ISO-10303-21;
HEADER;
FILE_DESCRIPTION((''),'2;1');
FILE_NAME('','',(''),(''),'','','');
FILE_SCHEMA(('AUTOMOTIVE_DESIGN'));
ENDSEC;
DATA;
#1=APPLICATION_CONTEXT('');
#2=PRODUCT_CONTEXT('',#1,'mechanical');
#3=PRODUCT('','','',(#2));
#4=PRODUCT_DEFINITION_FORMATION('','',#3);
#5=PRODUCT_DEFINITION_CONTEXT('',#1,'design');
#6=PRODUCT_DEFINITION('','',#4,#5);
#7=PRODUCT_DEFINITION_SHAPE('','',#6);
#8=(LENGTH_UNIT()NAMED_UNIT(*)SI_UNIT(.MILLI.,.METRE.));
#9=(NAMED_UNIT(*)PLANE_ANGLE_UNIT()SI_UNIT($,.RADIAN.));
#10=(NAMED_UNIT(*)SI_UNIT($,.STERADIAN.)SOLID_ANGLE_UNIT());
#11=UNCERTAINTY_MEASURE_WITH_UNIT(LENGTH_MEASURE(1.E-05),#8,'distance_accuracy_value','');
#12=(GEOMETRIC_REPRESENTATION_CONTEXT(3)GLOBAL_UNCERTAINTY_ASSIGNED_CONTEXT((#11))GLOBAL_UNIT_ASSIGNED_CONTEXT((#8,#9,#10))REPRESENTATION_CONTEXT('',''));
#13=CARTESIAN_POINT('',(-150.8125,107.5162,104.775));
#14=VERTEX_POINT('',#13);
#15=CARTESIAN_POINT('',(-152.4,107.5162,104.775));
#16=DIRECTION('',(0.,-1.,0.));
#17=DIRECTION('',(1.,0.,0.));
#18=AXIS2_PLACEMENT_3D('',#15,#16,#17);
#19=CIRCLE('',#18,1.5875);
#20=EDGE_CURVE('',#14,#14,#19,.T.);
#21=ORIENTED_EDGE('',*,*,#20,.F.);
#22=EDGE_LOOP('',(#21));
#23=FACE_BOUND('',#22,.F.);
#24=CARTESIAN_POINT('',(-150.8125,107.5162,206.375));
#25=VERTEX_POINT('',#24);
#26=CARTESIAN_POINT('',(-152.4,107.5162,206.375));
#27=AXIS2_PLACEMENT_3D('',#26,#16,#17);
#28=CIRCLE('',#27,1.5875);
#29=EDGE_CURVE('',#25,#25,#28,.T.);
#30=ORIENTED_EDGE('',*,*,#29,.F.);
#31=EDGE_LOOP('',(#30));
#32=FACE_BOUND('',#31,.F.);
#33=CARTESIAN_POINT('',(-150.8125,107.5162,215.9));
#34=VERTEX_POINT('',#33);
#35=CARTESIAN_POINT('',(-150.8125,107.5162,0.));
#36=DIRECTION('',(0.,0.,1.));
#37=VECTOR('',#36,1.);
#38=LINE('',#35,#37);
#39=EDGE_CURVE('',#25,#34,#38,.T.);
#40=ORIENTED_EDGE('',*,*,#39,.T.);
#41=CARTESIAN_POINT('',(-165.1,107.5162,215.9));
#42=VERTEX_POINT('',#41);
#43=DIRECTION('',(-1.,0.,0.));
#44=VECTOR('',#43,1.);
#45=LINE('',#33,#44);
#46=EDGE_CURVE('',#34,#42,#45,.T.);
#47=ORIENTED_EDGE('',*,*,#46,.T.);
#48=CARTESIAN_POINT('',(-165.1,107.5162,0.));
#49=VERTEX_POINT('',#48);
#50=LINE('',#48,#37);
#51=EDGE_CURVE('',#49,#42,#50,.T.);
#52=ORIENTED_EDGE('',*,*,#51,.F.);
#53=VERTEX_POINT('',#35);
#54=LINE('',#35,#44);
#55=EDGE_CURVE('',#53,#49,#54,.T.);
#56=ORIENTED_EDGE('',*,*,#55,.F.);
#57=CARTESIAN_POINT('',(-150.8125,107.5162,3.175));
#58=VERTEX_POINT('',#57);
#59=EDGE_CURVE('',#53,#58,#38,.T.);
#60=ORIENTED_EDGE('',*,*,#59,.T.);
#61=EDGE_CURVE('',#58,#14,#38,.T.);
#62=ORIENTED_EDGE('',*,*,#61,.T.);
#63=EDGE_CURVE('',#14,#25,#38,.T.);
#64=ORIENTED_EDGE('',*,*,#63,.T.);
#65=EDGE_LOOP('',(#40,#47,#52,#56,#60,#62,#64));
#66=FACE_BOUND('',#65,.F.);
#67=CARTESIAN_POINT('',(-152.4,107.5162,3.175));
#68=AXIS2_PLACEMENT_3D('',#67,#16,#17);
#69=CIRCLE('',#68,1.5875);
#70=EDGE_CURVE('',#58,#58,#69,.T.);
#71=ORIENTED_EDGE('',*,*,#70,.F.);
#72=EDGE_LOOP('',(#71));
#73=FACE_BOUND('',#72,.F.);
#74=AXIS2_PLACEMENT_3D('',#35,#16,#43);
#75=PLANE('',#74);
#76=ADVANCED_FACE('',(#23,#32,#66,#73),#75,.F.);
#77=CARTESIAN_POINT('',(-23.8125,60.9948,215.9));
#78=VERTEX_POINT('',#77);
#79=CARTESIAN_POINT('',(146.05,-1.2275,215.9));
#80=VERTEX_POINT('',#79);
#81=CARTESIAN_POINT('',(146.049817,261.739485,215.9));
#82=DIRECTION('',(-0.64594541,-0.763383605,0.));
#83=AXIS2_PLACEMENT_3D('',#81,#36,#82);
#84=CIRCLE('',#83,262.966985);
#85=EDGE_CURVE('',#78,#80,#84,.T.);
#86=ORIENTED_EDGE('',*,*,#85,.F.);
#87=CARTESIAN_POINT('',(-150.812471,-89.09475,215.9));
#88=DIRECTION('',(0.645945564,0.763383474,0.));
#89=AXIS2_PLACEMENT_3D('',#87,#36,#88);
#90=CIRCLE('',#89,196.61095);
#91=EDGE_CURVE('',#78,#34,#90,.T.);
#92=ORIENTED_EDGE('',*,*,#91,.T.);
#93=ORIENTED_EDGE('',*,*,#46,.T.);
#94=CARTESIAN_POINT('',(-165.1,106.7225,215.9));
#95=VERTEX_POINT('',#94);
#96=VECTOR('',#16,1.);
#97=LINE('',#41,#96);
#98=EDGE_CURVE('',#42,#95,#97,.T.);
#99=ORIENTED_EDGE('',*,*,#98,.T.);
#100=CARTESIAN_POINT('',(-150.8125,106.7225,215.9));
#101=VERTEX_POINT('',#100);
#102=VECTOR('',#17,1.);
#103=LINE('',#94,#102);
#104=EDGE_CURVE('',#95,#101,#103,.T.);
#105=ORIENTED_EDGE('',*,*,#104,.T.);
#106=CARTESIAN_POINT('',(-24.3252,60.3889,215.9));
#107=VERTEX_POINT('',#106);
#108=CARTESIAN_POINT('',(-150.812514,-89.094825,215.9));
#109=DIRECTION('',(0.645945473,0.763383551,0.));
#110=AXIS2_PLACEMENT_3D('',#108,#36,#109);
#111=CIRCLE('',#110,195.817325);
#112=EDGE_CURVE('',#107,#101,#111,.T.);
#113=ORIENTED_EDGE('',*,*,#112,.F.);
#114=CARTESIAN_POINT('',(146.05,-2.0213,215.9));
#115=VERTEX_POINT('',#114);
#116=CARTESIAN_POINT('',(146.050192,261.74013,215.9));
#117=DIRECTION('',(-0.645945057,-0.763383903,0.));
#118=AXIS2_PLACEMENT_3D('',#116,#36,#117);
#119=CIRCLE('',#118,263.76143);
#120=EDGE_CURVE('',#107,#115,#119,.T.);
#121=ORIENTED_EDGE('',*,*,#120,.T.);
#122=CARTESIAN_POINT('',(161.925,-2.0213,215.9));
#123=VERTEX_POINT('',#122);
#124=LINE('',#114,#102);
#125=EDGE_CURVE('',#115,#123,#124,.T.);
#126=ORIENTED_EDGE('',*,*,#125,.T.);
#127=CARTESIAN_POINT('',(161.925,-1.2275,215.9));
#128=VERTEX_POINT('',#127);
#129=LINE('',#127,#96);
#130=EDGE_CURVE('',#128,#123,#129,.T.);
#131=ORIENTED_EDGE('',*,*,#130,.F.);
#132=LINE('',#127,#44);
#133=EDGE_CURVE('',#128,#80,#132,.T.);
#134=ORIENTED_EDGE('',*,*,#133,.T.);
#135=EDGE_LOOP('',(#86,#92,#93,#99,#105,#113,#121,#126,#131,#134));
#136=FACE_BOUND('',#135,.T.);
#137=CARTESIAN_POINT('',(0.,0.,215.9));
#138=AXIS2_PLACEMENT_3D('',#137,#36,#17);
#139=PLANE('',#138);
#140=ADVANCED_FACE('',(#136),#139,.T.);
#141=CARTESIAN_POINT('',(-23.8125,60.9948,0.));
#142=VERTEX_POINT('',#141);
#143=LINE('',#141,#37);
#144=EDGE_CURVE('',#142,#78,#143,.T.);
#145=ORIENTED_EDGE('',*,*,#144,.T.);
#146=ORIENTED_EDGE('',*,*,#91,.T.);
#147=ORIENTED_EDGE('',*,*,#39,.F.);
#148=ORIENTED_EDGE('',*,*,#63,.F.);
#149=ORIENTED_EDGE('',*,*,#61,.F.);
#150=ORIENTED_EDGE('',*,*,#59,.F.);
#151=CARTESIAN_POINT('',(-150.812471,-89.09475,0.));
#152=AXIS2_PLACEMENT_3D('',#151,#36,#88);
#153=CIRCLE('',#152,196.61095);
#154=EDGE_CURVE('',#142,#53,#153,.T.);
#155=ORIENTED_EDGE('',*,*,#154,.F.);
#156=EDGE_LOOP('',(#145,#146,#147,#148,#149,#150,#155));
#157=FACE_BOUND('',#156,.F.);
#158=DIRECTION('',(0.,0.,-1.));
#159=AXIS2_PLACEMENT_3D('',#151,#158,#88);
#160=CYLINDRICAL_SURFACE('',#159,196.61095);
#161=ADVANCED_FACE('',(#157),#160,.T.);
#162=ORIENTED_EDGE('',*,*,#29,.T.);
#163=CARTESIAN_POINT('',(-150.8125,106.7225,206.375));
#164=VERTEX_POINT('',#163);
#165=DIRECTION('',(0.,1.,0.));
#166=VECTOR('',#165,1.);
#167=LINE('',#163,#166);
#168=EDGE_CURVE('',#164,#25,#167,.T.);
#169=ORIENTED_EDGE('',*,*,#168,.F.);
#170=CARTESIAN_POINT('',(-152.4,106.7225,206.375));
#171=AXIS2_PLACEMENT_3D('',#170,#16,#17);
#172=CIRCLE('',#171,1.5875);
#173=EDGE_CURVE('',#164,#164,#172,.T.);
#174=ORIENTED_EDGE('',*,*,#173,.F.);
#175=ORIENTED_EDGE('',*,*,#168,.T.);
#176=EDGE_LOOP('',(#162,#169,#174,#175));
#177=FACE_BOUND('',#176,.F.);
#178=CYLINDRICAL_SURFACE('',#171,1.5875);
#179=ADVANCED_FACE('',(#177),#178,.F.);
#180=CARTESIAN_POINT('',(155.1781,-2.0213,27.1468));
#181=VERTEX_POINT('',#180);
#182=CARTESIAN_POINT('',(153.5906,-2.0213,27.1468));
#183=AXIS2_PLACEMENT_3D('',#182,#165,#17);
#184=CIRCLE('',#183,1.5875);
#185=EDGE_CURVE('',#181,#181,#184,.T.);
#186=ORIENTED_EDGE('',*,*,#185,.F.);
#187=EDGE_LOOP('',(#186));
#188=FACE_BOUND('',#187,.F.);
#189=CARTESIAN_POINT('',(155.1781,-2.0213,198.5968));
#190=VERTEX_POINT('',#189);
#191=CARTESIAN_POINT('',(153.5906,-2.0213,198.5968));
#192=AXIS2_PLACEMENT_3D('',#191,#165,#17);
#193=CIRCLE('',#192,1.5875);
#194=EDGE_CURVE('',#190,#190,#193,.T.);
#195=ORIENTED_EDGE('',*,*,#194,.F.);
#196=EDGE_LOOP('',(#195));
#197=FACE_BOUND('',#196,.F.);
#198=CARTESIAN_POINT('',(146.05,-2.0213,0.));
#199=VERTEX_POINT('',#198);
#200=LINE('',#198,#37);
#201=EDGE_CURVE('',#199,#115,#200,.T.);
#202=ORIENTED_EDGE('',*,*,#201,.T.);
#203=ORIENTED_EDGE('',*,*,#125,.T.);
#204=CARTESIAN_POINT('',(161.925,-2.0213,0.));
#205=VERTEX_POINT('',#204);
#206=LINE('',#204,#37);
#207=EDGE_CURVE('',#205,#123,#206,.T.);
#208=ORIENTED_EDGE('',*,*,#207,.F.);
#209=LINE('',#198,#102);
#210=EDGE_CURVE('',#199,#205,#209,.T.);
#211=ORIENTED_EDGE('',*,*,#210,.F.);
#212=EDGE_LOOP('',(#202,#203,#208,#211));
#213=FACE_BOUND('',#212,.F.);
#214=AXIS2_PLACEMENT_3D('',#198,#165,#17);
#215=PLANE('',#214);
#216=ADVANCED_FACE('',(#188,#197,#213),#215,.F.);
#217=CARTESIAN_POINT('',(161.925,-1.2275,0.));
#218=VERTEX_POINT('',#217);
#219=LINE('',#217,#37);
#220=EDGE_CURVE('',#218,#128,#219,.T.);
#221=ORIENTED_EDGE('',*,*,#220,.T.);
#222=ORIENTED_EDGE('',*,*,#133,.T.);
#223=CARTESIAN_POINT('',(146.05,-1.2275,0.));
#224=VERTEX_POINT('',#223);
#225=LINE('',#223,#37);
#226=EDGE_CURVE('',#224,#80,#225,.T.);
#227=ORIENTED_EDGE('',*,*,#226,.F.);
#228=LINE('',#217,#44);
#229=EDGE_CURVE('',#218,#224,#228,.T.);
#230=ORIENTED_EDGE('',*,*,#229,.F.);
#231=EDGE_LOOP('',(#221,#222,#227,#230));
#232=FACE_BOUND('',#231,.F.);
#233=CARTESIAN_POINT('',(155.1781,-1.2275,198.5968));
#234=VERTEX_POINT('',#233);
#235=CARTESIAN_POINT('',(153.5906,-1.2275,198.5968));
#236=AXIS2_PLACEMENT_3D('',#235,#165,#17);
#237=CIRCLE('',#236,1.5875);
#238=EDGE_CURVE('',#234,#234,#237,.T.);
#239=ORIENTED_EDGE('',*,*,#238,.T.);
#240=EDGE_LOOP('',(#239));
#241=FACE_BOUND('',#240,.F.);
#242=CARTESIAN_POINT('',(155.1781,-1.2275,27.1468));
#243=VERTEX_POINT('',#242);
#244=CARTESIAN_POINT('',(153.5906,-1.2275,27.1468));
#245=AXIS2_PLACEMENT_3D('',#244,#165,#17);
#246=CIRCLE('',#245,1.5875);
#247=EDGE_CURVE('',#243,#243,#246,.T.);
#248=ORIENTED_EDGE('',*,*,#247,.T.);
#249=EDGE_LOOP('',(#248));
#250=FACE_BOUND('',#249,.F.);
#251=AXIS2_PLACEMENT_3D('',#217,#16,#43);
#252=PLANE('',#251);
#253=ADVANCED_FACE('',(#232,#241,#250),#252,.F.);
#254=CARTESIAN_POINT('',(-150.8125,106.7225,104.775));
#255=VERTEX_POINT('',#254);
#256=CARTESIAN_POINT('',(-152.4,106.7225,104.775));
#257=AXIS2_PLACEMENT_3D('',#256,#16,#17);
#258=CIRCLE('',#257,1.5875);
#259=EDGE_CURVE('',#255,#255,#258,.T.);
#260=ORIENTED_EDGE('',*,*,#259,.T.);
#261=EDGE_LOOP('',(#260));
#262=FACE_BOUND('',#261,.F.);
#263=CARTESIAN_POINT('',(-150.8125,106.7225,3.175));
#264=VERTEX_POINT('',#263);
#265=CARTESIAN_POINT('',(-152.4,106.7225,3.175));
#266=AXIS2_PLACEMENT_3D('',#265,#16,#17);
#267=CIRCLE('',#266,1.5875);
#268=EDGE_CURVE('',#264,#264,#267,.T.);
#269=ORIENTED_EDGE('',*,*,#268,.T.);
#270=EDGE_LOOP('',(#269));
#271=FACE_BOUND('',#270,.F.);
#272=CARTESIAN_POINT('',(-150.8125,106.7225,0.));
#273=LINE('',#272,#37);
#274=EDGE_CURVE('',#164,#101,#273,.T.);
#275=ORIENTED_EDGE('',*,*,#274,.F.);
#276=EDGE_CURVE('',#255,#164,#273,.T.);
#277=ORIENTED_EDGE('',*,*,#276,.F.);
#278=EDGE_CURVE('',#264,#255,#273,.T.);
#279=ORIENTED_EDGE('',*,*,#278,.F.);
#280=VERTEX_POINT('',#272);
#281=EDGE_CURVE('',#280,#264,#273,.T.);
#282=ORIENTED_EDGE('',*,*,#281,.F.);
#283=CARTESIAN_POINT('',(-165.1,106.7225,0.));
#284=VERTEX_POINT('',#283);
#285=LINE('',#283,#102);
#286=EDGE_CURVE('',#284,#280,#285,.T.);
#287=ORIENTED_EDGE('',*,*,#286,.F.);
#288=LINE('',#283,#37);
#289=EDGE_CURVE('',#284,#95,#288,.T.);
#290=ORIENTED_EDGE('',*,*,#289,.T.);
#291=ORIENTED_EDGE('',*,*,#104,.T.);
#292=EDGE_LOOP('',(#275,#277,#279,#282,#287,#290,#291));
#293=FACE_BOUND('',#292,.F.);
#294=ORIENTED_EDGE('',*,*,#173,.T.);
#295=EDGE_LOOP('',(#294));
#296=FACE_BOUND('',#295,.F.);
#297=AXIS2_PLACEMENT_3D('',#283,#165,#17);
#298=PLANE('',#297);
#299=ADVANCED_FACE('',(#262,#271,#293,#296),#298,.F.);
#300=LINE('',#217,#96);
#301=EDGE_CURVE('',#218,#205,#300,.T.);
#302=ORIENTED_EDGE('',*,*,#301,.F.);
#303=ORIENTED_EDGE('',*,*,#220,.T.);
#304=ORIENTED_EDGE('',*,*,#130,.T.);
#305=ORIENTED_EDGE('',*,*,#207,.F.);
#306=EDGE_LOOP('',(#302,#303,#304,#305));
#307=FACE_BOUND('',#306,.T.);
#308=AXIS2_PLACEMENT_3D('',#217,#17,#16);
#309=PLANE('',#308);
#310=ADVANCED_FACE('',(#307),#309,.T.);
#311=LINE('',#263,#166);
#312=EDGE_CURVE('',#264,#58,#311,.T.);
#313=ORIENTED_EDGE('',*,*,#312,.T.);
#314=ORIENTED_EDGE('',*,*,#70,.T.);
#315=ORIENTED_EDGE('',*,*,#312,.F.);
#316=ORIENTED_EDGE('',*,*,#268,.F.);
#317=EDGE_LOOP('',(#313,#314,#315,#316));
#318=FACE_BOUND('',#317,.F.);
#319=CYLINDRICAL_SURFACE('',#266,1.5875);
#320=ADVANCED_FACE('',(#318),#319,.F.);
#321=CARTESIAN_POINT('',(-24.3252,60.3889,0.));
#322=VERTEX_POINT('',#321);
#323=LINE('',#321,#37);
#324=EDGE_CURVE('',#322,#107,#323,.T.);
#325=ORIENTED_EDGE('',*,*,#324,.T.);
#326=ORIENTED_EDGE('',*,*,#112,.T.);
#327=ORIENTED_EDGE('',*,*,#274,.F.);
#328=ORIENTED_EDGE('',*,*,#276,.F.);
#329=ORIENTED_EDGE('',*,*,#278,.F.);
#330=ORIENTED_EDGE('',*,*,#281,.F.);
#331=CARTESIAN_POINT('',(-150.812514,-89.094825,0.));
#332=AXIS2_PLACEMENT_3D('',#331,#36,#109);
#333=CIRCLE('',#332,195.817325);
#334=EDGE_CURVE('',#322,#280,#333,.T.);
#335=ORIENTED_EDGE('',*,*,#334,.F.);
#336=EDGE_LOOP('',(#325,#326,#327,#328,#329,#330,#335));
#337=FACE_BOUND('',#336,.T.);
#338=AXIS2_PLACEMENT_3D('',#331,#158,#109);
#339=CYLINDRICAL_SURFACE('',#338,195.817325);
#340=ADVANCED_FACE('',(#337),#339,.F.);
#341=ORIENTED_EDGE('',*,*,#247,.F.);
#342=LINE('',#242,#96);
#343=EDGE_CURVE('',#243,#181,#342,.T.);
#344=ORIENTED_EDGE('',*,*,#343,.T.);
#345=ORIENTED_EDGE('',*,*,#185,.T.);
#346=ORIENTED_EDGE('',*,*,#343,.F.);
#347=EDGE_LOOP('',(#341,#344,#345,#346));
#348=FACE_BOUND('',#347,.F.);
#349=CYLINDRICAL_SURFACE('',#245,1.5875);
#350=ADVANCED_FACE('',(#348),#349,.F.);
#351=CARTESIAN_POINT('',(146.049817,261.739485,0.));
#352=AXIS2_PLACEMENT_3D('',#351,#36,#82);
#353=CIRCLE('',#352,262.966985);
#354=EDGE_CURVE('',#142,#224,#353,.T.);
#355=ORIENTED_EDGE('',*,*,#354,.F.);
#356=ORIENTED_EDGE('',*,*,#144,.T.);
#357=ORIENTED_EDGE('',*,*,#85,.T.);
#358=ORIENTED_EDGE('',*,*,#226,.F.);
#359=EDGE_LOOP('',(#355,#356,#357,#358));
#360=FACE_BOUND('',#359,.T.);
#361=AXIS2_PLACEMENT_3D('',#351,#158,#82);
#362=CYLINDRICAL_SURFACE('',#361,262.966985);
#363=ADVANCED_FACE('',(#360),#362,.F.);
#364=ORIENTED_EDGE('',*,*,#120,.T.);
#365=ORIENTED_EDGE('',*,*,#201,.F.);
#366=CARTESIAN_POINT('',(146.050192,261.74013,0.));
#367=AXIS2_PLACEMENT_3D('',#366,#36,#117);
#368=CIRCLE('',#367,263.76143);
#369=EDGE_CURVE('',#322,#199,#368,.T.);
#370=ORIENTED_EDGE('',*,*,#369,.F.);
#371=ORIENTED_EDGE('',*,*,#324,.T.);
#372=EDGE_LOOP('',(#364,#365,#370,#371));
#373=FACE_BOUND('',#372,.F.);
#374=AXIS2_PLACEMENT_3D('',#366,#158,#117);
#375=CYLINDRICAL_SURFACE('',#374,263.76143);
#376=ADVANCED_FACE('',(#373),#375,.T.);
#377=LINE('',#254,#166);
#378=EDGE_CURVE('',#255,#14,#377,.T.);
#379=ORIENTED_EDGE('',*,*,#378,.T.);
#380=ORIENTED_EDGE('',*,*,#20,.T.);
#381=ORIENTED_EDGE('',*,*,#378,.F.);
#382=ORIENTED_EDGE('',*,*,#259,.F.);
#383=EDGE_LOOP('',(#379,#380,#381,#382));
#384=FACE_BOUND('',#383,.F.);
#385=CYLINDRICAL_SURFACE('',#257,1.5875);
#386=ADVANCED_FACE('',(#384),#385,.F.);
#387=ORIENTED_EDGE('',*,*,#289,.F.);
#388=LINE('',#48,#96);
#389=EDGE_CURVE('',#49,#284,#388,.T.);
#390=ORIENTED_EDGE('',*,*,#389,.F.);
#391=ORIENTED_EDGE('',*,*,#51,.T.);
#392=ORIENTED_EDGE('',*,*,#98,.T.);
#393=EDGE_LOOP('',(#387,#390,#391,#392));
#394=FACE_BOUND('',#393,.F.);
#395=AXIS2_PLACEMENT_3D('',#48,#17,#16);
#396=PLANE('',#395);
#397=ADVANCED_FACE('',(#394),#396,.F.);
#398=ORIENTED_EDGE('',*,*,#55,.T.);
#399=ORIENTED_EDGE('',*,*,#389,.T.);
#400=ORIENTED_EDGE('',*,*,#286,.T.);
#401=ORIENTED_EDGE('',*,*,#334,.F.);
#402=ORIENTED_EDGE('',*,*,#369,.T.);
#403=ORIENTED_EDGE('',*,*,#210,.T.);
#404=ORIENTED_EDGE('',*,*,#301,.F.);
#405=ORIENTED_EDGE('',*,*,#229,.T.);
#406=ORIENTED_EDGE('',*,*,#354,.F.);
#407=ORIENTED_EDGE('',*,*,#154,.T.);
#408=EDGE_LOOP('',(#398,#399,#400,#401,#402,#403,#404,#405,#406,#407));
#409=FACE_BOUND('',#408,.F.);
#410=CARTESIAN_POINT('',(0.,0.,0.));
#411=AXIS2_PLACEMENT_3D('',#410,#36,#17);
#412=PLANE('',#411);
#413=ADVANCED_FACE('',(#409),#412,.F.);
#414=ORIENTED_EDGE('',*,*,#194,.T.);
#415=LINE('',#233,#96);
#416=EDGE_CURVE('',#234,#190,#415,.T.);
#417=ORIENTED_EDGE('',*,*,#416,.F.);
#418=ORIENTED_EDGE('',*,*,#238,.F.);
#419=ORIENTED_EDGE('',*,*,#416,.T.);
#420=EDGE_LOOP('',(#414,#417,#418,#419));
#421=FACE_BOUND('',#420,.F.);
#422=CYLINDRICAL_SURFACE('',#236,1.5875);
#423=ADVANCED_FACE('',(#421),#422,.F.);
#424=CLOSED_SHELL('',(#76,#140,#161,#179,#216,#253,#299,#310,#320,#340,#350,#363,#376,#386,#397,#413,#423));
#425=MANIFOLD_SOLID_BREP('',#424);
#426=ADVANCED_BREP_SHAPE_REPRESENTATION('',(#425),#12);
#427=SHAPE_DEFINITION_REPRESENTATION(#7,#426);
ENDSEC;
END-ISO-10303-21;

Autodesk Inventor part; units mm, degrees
ref_plane "YZ Plane" through (0, 0, 0) normal (1, 0, 0) x (0, 1, 0)
ref_plane "XZ Plane" through (0, 0, 0) normal (0, 1, 0) x (-1, 0, 0)
ref_plane "Work Plane1" through (0, 0, 0) normal (0, 0, 1) x (1, 0, 0)
sketch "Sketch1" plane through (0, 0, 0) normal (0, 0, 1) x (1, 0, 0)
  line L0 (165.1, 107.5162) -> (-165.1, 107.5162) construction
  line L1 (-165.1, 107.5162) -> (-165.1, 110.6912) construction
  line L2 (165.1, 110.6912) -> (-165.1, 110.6912) construction
  line L3 (165.1, 107.5162) -> (165.1, 110.6912) construction
  line L4 (161.925, -1.2275) -> (161.925, 14.6475) construction
  line L5 (161.925, 14.6475) -> (161.1313, 14.6475) construction
  line L6 (161.1313, 14.6475) -> (161.1313, -0.4338) construction
  line L7 (161.1313, -0.4338) -> (146.05, -0.4338) construction
  line L8 (146.05, -0.4338) -> (146.05, -1.2275) construction
  line L9 (146.05, -1.2275) -> (161.925, -1.2275) construction
  line L10 (-153.9875, 110.6912) -> (-150.8125, 110.6912) construction
  line L11 (161.925, -1.2275) -> (146.05, -1.2275)
  arc A0 (-23.8125, 60.9948) -> (-150.8125, 107.5162) centre (-150.8125, -89.0948) ccw
  arc A1 (-23.8125, 60.9948) -> (146.05, -1.2275) centre (146.05, 261.7398) ccw
  line L12 (-150.8125, 110.6912) -> (-150.8125, 107.5162) construction
  line L13 (-150.8125, 107.5162) -> (-165.1, 107.5162)
  arc A2 (-24.3252, 60.3889) -> (-150.8125, 106.7225) centre (-150.8125, -89.0948) ccw
  arc A3 (-24.3252, 60.3889) -> (146.05, -2.0213) centre (146.05, 261.7398) ccw
  line L14 (146.05, -2.0213) -> (161.925, -2.0213)
  line L15 (-165.1, 107.5162) -> (-165.1, 106.7225)
  line L16 (-165.1, 106.7225) -> (-150.8125, 106.7225)
  line L17 (161.925, -1.2275) -> (161.925, -2.0213)
  point P0 (0, 0)
  dimension "d8" = 127
  dimension "d9" = 0.7937
extrude "Extrusion1" add sketch "Sketch1" along normal blind 215.9
sketch "Sketch2" plane through (-165.1, 106.7225, 0) normal (0, -1, 0) x (1, 0, 0)
  circle A0 centre (12.7, 3.175) radius 1.5875
  circle A1 centre (12.7, 104.775) radius 1.5875
  circle A2 centre (12.7, 206.375) radius 1.5875
  line L0 (14.2875, 0) -> (0, 0) projected
  line L1 (14.2875, 0) -> (14.2875, 215.9) projected
  line L2 (0, 215.9) -> (14.2875, 215.9) projected
  line L3 (0, 0) -> (0, 215.9) projected
  point P0 (165.1, 0)
extrude "Extrusion2" cut sketch "Sketch2" against normal through all contours A0 | A1 | A2
sketch "Sketch3" plane through (146.05, -1.2275, 0) normal (0, 1, 0) x (1, 0, 0)
  circle A0 centre (7.5406, -198.5968) radius 1.5875 projected
  circle A1 centre (7.5406, -27.1468) radius 1.5875 projected
  point P0 (-146.05, 0)
extrude "Extrusion3" cut sketch "Sketch3" against normal through all
properties part number "Bounce Polycarbonate Flap" material "Polycarbonate, Clear"
